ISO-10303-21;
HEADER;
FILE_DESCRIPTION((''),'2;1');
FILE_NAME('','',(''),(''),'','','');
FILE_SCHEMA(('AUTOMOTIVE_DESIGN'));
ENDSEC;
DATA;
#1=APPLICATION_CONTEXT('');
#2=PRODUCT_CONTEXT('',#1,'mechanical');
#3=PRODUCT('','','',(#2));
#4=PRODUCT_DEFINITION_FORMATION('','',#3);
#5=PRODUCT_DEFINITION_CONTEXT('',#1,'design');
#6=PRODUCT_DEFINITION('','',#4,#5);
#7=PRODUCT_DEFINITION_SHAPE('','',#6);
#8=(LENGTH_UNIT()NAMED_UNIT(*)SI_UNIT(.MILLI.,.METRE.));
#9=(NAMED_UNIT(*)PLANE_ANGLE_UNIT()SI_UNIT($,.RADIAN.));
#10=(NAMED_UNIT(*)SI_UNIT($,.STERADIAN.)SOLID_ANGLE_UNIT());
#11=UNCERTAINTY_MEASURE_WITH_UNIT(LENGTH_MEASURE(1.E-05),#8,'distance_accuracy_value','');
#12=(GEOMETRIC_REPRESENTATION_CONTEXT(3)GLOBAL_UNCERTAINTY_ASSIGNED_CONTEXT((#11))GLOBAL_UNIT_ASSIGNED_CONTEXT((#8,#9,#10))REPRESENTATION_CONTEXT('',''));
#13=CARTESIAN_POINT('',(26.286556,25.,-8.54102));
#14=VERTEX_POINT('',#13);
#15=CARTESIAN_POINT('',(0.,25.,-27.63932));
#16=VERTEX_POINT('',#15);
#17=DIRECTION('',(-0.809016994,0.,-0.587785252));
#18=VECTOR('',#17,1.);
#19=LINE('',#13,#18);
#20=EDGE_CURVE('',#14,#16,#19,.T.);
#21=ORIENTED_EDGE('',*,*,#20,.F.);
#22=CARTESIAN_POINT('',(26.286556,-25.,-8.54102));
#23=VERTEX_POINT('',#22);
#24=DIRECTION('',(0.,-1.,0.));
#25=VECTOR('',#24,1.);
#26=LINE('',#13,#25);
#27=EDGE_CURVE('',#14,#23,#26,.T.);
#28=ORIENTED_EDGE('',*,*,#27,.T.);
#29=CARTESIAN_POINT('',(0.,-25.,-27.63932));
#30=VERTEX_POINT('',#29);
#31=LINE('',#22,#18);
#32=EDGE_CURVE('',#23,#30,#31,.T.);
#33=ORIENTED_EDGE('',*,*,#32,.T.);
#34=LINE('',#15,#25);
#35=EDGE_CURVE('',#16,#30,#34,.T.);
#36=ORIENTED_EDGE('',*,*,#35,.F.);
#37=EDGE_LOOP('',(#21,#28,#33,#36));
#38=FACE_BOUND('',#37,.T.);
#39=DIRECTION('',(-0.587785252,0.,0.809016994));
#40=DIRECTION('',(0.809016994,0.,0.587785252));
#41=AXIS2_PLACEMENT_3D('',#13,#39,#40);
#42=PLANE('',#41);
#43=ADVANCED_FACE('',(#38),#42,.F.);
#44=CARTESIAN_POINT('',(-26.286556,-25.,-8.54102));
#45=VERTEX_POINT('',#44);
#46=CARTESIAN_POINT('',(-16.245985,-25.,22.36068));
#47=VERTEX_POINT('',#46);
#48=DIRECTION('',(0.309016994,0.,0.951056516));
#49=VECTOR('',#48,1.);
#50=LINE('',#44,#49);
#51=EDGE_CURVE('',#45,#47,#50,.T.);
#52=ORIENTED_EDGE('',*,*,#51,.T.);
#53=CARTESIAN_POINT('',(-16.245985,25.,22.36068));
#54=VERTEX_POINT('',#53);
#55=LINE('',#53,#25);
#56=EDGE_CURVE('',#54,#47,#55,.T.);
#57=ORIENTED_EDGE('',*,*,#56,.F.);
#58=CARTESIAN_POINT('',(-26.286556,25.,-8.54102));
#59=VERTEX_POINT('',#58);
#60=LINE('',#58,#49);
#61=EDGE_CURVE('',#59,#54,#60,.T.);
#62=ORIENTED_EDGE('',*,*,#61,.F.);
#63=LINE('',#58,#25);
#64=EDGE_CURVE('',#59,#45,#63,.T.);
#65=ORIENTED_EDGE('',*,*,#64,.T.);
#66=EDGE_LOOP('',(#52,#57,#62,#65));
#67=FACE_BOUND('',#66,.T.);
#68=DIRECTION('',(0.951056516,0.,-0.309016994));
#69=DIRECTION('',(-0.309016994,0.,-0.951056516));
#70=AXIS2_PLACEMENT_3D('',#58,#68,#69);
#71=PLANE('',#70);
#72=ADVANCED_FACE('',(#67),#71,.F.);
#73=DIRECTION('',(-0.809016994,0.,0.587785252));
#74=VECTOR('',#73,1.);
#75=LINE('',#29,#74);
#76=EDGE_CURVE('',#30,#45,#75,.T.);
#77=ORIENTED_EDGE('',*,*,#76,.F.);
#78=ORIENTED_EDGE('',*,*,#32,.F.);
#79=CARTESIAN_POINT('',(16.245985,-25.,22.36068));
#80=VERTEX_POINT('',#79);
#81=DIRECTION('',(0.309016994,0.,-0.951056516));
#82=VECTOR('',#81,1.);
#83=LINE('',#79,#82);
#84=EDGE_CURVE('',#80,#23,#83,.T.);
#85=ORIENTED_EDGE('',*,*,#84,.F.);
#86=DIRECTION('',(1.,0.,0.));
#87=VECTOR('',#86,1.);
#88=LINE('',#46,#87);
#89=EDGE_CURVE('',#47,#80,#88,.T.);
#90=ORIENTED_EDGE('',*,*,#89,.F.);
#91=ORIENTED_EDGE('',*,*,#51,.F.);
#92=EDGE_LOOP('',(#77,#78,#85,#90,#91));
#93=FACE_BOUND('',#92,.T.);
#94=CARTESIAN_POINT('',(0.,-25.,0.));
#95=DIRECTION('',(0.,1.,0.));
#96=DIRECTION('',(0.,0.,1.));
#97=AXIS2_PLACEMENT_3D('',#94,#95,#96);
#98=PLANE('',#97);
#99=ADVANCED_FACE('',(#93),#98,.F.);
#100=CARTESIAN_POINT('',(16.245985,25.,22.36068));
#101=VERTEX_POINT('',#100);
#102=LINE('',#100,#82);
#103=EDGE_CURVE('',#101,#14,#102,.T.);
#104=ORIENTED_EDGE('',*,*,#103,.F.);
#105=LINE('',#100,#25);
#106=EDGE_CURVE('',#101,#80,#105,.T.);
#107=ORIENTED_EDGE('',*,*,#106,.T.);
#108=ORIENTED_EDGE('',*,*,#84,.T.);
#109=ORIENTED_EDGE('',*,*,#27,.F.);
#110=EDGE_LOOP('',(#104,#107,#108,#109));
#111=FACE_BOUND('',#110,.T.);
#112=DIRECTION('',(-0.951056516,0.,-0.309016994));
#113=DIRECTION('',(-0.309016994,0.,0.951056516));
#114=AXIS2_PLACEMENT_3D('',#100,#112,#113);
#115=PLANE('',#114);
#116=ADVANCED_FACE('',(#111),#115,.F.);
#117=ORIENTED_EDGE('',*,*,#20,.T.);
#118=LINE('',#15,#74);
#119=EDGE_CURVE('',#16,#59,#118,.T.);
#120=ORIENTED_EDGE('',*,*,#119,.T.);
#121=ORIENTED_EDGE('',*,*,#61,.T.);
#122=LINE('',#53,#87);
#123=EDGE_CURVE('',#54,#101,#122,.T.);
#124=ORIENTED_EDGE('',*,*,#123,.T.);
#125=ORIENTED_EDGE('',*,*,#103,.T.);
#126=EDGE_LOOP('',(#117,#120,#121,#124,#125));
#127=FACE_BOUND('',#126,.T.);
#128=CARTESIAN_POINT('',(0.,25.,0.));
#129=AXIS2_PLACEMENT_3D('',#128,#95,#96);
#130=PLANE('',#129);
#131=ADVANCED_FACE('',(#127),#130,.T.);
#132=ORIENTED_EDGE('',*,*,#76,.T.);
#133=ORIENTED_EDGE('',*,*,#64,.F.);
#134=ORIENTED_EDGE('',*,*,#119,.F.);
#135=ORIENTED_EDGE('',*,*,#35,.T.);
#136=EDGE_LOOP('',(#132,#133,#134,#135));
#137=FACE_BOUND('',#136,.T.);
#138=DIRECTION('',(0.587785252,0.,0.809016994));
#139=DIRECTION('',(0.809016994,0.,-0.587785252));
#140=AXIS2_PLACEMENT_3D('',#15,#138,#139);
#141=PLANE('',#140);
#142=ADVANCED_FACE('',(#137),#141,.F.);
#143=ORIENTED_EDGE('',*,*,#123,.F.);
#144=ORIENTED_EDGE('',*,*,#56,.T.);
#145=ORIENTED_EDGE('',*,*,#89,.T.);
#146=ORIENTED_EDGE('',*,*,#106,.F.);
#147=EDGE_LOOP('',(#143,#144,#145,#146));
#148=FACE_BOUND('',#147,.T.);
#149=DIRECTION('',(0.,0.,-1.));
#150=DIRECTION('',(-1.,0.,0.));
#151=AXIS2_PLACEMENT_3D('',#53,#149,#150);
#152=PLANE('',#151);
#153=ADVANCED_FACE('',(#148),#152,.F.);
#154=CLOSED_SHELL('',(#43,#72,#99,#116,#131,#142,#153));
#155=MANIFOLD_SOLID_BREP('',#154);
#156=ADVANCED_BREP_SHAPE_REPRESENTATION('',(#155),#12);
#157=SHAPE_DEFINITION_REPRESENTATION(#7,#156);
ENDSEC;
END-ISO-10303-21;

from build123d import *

# Parameters (mm, degrees)
BOSS_EXTRUDE1_DEPTH = 25


with BuildPart() as part:
    # Sketch1 → Boss-Extrude1 (new, symmetric)
    with BuildSketch(Plane(origin=(0, 0, 0), x_dir=(1, 0, 0), z_dir=(0, 1, 0))):
        Polygon((-26.286555606, 8.541019662), (-16.245984812, -22.360679775), (16.245984812, -22.360679775), (26.286555606, 8.541019662), (0, 27.639320225), align=None)
    extrude(amount=BOSS_EXTRUDE1_DEPTH, both=True)


solid = part.part
